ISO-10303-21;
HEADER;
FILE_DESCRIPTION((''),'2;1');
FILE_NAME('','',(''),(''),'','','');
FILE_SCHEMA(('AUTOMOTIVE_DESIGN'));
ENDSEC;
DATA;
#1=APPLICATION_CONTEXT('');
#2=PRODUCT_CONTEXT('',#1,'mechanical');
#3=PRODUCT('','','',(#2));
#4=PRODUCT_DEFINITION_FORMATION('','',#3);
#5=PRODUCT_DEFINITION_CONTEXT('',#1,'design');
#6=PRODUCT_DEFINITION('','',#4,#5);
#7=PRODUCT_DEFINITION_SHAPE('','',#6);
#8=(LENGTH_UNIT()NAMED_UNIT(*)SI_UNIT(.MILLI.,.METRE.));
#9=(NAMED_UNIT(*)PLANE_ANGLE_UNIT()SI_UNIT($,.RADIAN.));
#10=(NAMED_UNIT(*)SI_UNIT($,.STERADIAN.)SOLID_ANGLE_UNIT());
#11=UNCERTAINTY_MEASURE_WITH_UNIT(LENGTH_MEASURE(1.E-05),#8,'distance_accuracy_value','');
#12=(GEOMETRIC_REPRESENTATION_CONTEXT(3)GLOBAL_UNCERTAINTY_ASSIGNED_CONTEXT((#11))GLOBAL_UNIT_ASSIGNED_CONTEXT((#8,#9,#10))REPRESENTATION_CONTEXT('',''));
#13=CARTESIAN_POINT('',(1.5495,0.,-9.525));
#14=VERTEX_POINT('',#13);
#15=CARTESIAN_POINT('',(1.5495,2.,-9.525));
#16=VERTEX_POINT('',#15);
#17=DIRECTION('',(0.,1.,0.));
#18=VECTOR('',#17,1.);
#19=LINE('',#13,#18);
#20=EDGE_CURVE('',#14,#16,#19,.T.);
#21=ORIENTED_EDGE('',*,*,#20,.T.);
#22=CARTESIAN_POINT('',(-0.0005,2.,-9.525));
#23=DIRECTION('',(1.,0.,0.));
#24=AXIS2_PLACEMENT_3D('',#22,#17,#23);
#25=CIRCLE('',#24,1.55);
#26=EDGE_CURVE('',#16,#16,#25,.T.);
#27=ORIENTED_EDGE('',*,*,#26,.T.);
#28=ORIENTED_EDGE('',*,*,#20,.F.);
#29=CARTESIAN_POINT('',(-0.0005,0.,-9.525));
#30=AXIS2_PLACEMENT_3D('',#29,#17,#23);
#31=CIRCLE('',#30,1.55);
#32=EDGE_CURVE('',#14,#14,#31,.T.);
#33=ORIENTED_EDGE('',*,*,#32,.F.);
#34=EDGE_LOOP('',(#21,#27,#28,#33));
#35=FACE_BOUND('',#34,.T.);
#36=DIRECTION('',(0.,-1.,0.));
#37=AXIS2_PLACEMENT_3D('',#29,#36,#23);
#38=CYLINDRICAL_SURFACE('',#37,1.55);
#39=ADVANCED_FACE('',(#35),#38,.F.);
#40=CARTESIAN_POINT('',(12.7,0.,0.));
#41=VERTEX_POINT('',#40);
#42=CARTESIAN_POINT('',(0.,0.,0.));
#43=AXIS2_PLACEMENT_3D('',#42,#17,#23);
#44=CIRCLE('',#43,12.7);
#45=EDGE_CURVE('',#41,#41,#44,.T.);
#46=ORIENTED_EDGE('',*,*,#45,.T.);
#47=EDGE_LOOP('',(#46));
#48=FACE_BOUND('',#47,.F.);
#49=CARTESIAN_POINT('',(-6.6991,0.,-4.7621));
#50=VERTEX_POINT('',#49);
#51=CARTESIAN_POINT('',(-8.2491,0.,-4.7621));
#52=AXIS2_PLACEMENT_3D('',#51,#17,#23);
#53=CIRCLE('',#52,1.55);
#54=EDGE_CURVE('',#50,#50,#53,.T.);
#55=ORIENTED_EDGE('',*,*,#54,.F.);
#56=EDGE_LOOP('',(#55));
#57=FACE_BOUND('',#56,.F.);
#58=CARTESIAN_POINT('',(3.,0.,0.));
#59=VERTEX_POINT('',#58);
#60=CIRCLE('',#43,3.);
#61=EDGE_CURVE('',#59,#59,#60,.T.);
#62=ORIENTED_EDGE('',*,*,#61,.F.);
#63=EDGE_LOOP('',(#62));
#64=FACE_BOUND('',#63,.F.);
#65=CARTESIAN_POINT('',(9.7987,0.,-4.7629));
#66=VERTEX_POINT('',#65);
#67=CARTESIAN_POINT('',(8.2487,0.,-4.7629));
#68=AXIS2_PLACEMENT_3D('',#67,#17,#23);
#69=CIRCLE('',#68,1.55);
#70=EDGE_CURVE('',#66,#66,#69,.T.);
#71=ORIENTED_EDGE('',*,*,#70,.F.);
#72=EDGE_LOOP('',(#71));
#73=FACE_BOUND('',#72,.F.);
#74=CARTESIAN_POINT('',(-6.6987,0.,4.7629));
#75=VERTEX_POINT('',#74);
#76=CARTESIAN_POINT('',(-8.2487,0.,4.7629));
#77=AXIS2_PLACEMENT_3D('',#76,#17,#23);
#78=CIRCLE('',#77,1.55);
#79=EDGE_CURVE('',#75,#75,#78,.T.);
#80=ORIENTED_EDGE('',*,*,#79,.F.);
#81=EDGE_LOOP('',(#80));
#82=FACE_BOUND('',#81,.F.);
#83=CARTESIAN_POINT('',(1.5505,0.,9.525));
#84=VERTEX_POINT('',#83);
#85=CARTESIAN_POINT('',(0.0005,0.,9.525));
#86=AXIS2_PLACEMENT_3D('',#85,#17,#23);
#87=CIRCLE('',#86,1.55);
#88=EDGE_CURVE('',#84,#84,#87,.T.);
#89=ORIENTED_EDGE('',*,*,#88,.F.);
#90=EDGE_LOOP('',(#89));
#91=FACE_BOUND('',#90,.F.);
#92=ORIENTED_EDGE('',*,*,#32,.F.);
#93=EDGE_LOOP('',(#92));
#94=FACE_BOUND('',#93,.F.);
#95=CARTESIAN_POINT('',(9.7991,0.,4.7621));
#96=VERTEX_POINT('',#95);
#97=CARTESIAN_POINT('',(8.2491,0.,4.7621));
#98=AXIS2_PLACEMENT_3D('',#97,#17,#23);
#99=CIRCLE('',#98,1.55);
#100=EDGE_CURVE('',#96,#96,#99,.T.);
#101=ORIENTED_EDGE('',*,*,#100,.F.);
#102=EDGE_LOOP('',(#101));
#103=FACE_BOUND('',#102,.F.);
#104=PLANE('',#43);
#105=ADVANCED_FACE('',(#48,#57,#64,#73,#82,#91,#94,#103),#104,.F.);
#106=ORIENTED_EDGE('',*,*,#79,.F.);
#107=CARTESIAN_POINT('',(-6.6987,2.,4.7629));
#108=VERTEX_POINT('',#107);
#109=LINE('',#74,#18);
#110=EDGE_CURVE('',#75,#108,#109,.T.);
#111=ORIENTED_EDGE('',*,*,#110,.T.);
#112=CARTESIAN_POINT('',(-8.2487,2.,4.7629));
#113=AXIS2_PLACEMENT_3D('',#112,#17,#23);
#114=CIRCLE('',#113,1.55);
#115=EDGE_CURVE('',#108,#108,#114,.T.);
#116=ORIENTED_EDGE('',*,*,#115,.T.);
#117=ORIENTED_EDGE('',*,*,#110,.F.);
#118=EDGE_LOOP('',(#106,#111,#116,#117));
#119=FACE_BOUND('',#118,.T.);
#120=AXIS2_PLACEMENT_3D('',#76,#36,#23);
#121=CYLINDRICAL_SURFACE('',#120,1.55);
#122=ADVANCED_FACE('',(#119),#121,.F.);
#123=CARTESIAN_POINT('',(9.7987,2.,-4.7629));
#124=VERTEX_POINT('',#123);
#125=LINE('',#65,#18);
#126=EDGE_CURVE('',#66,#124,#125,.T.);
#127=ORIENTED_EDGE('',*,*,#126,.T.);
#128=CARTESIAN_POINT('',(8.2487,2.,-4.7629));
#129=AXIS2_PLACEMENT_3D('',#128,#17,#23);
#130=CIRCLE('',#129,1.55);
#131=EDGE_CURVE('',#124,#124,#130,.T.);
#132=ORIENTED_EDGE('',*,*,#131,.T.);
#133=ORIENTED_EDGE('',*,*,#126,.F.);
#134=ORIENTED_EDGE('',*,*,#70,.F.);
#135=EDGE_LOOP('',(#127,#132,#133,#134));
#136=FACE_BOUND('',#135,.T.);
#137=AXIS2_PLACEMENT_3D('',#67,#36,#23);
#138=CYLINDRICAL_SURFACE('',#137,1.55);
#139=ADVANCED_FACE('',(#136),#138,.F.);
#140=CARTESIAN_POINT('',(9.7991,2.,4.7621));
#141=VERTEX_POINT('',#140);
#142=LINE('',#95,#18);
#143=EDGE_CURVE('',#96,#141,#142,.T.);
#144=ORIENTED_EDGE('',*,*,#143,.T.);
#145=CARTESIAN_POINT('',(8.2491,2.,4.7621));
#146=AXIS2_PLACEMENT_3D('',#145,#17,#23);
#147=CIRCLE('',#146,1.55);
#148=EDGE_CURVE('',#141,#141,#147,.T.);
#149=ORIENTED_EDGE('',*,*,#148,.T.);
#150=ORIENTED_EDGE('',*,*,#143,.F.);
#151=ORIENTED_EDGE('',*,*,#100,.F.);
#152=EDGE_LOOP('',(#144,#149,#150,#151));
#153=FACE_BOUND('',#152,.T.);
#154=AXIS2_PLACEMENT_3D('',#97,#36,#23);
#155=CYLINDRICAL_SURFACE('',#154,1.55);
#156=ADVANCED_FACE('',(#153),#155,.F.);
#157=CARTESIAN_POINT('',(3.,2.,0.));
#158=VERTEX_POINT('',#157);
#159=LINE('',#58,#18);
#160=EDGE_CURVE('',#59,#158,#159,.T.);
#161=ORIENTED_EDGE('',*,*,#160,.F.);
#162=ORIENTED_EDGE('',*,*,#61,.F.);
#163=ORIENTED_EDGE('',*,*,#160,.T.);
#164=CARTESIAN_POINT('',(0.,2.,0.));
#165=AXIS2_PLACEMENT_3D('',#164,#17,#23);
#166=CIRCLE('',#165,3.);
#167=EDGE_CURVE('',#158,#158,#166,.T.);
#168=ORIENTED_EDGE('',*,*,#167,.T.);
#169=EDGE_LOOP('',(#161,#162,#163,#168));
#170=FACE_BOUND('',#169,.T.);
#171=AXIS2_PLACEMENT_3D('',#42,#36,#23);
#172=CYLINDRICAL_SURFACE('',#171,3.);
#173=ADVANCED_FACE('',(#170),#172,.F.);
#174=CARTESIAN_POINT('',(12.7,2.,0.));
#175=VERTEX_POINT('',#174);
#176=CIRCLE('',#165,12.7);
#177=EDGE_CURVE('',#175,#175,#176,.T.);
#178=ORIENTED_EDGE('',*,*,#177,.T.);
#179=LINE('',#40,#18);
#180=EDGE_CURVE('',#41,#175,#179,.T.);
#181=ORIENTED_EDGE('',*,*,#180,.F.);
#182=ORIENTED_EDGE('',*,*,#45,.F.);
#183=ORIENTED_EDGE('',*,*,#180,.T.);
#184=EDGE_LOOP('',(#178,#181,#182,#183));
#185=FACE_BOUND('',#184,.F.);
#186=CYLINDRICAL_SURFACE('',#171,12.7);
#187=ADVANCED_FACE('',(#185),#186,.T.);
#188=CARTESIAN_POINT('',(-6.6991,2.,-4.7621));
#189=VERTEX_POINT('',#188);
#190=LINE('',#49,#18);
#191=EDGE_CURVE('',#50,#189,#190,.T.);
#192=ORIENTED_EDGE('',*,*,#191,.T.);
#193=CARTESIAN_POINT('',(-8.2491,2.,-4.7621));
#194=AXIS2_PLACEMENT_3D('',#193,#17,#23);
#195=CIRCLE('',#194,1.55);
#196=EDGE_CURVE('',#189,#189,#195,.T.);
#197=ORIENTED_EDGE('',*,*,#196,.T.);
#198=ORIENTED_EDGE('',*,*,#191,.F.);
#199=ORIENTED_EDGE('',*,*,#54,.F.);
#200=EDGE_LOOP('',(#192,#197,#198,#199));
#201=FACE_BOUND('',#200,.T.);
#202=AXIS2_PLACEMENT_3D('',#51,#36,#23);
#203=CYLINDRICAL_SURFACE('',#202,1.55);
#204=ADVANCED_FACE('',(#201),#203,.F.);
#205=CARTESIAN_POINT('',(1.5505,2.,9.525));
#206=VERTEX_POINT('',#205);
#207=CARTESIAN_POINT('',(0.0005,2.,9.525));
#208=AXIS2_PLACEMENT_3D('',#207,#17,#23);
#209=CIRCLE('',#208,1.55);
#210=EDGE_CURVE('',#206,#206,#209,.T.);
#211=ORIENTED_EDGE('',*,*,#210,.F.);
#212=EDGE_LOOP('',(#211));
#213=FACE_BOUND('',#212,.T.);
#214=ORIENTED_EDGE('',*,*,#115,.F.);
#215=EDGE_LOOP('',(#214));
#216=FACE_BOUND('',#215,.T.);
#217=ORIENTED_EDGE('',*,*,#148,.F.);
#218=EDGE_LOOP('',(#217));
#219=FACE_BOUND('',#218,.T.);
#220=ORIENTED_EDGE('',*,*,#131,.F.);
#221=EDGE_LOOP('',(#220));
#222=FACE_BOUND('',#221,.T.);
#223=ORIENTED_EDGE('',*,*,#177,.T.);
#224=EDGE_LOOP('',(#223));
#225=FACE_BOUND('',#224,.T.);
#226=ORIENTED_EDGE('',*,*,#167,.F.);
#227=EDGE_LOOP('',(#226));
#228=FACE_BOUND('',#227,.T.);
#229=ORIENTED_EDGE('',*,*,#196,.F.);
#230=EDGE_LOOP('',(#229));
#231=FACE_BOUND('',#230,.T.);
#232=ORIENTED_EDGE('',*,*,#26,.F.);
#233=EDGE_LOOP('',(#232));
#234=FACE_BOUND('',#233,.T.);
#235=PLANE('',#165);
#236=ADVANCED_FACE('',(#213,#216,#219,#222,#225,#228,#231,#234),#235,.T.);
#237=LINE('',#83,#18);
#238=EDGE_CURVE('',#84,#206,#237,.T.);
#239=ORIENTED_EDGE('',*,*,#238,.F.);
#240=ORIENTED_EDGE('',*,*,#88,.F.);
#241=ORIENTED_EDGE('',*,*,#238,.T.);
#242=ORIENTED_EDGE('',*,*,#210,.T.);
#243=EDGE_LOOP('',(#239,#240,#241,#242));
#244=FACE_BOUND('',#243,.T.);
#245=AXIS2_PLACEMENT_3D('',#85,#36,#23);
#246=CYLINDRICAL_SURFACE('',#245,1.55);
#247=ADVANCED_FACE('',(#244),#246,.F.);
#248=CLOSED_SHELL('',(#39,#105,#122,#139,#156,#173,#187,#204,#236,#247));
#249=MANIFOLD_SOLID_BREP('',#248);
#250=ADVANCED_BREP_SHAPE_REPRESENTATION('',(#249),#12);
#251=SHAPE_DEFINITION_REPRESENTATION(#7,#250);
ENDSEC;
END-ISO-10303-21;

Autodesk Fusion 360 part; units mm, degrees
sketch "Sketch1" plane through (0, 0, 0) normal (0, 1, 0) x (1, 0, 0)
  circle A0 centre (0, 0) radius 12.7
  circle A1 centre (0, 0) radius 9.525 construction
  circle A2 centre (-0.0005, 9.525) radius 1.55
  circle A3 centre (-8.2491, 4.7621) radius 1.55
  circle A4 centre (-8.2487, -4.7629) radius 1.55
  circle A5 centre (0.0005, -9.525) radius 1.55
  circle A6 centre (8.2491, -4.7621) radius 1.55
  circle A7 centre (8.2487, 4.7629) radius 1.55
  circle A8 centre (0, 0) radius 3
  dimension "d1" = 25.4
  dimension "d2" = 19.05
  dimension "d3" = 3.1
  dimension "d5" = 360
  dimension "d6" = 6
extrude "Extrude1" add sketch "Sketch1" along normal blind 2
